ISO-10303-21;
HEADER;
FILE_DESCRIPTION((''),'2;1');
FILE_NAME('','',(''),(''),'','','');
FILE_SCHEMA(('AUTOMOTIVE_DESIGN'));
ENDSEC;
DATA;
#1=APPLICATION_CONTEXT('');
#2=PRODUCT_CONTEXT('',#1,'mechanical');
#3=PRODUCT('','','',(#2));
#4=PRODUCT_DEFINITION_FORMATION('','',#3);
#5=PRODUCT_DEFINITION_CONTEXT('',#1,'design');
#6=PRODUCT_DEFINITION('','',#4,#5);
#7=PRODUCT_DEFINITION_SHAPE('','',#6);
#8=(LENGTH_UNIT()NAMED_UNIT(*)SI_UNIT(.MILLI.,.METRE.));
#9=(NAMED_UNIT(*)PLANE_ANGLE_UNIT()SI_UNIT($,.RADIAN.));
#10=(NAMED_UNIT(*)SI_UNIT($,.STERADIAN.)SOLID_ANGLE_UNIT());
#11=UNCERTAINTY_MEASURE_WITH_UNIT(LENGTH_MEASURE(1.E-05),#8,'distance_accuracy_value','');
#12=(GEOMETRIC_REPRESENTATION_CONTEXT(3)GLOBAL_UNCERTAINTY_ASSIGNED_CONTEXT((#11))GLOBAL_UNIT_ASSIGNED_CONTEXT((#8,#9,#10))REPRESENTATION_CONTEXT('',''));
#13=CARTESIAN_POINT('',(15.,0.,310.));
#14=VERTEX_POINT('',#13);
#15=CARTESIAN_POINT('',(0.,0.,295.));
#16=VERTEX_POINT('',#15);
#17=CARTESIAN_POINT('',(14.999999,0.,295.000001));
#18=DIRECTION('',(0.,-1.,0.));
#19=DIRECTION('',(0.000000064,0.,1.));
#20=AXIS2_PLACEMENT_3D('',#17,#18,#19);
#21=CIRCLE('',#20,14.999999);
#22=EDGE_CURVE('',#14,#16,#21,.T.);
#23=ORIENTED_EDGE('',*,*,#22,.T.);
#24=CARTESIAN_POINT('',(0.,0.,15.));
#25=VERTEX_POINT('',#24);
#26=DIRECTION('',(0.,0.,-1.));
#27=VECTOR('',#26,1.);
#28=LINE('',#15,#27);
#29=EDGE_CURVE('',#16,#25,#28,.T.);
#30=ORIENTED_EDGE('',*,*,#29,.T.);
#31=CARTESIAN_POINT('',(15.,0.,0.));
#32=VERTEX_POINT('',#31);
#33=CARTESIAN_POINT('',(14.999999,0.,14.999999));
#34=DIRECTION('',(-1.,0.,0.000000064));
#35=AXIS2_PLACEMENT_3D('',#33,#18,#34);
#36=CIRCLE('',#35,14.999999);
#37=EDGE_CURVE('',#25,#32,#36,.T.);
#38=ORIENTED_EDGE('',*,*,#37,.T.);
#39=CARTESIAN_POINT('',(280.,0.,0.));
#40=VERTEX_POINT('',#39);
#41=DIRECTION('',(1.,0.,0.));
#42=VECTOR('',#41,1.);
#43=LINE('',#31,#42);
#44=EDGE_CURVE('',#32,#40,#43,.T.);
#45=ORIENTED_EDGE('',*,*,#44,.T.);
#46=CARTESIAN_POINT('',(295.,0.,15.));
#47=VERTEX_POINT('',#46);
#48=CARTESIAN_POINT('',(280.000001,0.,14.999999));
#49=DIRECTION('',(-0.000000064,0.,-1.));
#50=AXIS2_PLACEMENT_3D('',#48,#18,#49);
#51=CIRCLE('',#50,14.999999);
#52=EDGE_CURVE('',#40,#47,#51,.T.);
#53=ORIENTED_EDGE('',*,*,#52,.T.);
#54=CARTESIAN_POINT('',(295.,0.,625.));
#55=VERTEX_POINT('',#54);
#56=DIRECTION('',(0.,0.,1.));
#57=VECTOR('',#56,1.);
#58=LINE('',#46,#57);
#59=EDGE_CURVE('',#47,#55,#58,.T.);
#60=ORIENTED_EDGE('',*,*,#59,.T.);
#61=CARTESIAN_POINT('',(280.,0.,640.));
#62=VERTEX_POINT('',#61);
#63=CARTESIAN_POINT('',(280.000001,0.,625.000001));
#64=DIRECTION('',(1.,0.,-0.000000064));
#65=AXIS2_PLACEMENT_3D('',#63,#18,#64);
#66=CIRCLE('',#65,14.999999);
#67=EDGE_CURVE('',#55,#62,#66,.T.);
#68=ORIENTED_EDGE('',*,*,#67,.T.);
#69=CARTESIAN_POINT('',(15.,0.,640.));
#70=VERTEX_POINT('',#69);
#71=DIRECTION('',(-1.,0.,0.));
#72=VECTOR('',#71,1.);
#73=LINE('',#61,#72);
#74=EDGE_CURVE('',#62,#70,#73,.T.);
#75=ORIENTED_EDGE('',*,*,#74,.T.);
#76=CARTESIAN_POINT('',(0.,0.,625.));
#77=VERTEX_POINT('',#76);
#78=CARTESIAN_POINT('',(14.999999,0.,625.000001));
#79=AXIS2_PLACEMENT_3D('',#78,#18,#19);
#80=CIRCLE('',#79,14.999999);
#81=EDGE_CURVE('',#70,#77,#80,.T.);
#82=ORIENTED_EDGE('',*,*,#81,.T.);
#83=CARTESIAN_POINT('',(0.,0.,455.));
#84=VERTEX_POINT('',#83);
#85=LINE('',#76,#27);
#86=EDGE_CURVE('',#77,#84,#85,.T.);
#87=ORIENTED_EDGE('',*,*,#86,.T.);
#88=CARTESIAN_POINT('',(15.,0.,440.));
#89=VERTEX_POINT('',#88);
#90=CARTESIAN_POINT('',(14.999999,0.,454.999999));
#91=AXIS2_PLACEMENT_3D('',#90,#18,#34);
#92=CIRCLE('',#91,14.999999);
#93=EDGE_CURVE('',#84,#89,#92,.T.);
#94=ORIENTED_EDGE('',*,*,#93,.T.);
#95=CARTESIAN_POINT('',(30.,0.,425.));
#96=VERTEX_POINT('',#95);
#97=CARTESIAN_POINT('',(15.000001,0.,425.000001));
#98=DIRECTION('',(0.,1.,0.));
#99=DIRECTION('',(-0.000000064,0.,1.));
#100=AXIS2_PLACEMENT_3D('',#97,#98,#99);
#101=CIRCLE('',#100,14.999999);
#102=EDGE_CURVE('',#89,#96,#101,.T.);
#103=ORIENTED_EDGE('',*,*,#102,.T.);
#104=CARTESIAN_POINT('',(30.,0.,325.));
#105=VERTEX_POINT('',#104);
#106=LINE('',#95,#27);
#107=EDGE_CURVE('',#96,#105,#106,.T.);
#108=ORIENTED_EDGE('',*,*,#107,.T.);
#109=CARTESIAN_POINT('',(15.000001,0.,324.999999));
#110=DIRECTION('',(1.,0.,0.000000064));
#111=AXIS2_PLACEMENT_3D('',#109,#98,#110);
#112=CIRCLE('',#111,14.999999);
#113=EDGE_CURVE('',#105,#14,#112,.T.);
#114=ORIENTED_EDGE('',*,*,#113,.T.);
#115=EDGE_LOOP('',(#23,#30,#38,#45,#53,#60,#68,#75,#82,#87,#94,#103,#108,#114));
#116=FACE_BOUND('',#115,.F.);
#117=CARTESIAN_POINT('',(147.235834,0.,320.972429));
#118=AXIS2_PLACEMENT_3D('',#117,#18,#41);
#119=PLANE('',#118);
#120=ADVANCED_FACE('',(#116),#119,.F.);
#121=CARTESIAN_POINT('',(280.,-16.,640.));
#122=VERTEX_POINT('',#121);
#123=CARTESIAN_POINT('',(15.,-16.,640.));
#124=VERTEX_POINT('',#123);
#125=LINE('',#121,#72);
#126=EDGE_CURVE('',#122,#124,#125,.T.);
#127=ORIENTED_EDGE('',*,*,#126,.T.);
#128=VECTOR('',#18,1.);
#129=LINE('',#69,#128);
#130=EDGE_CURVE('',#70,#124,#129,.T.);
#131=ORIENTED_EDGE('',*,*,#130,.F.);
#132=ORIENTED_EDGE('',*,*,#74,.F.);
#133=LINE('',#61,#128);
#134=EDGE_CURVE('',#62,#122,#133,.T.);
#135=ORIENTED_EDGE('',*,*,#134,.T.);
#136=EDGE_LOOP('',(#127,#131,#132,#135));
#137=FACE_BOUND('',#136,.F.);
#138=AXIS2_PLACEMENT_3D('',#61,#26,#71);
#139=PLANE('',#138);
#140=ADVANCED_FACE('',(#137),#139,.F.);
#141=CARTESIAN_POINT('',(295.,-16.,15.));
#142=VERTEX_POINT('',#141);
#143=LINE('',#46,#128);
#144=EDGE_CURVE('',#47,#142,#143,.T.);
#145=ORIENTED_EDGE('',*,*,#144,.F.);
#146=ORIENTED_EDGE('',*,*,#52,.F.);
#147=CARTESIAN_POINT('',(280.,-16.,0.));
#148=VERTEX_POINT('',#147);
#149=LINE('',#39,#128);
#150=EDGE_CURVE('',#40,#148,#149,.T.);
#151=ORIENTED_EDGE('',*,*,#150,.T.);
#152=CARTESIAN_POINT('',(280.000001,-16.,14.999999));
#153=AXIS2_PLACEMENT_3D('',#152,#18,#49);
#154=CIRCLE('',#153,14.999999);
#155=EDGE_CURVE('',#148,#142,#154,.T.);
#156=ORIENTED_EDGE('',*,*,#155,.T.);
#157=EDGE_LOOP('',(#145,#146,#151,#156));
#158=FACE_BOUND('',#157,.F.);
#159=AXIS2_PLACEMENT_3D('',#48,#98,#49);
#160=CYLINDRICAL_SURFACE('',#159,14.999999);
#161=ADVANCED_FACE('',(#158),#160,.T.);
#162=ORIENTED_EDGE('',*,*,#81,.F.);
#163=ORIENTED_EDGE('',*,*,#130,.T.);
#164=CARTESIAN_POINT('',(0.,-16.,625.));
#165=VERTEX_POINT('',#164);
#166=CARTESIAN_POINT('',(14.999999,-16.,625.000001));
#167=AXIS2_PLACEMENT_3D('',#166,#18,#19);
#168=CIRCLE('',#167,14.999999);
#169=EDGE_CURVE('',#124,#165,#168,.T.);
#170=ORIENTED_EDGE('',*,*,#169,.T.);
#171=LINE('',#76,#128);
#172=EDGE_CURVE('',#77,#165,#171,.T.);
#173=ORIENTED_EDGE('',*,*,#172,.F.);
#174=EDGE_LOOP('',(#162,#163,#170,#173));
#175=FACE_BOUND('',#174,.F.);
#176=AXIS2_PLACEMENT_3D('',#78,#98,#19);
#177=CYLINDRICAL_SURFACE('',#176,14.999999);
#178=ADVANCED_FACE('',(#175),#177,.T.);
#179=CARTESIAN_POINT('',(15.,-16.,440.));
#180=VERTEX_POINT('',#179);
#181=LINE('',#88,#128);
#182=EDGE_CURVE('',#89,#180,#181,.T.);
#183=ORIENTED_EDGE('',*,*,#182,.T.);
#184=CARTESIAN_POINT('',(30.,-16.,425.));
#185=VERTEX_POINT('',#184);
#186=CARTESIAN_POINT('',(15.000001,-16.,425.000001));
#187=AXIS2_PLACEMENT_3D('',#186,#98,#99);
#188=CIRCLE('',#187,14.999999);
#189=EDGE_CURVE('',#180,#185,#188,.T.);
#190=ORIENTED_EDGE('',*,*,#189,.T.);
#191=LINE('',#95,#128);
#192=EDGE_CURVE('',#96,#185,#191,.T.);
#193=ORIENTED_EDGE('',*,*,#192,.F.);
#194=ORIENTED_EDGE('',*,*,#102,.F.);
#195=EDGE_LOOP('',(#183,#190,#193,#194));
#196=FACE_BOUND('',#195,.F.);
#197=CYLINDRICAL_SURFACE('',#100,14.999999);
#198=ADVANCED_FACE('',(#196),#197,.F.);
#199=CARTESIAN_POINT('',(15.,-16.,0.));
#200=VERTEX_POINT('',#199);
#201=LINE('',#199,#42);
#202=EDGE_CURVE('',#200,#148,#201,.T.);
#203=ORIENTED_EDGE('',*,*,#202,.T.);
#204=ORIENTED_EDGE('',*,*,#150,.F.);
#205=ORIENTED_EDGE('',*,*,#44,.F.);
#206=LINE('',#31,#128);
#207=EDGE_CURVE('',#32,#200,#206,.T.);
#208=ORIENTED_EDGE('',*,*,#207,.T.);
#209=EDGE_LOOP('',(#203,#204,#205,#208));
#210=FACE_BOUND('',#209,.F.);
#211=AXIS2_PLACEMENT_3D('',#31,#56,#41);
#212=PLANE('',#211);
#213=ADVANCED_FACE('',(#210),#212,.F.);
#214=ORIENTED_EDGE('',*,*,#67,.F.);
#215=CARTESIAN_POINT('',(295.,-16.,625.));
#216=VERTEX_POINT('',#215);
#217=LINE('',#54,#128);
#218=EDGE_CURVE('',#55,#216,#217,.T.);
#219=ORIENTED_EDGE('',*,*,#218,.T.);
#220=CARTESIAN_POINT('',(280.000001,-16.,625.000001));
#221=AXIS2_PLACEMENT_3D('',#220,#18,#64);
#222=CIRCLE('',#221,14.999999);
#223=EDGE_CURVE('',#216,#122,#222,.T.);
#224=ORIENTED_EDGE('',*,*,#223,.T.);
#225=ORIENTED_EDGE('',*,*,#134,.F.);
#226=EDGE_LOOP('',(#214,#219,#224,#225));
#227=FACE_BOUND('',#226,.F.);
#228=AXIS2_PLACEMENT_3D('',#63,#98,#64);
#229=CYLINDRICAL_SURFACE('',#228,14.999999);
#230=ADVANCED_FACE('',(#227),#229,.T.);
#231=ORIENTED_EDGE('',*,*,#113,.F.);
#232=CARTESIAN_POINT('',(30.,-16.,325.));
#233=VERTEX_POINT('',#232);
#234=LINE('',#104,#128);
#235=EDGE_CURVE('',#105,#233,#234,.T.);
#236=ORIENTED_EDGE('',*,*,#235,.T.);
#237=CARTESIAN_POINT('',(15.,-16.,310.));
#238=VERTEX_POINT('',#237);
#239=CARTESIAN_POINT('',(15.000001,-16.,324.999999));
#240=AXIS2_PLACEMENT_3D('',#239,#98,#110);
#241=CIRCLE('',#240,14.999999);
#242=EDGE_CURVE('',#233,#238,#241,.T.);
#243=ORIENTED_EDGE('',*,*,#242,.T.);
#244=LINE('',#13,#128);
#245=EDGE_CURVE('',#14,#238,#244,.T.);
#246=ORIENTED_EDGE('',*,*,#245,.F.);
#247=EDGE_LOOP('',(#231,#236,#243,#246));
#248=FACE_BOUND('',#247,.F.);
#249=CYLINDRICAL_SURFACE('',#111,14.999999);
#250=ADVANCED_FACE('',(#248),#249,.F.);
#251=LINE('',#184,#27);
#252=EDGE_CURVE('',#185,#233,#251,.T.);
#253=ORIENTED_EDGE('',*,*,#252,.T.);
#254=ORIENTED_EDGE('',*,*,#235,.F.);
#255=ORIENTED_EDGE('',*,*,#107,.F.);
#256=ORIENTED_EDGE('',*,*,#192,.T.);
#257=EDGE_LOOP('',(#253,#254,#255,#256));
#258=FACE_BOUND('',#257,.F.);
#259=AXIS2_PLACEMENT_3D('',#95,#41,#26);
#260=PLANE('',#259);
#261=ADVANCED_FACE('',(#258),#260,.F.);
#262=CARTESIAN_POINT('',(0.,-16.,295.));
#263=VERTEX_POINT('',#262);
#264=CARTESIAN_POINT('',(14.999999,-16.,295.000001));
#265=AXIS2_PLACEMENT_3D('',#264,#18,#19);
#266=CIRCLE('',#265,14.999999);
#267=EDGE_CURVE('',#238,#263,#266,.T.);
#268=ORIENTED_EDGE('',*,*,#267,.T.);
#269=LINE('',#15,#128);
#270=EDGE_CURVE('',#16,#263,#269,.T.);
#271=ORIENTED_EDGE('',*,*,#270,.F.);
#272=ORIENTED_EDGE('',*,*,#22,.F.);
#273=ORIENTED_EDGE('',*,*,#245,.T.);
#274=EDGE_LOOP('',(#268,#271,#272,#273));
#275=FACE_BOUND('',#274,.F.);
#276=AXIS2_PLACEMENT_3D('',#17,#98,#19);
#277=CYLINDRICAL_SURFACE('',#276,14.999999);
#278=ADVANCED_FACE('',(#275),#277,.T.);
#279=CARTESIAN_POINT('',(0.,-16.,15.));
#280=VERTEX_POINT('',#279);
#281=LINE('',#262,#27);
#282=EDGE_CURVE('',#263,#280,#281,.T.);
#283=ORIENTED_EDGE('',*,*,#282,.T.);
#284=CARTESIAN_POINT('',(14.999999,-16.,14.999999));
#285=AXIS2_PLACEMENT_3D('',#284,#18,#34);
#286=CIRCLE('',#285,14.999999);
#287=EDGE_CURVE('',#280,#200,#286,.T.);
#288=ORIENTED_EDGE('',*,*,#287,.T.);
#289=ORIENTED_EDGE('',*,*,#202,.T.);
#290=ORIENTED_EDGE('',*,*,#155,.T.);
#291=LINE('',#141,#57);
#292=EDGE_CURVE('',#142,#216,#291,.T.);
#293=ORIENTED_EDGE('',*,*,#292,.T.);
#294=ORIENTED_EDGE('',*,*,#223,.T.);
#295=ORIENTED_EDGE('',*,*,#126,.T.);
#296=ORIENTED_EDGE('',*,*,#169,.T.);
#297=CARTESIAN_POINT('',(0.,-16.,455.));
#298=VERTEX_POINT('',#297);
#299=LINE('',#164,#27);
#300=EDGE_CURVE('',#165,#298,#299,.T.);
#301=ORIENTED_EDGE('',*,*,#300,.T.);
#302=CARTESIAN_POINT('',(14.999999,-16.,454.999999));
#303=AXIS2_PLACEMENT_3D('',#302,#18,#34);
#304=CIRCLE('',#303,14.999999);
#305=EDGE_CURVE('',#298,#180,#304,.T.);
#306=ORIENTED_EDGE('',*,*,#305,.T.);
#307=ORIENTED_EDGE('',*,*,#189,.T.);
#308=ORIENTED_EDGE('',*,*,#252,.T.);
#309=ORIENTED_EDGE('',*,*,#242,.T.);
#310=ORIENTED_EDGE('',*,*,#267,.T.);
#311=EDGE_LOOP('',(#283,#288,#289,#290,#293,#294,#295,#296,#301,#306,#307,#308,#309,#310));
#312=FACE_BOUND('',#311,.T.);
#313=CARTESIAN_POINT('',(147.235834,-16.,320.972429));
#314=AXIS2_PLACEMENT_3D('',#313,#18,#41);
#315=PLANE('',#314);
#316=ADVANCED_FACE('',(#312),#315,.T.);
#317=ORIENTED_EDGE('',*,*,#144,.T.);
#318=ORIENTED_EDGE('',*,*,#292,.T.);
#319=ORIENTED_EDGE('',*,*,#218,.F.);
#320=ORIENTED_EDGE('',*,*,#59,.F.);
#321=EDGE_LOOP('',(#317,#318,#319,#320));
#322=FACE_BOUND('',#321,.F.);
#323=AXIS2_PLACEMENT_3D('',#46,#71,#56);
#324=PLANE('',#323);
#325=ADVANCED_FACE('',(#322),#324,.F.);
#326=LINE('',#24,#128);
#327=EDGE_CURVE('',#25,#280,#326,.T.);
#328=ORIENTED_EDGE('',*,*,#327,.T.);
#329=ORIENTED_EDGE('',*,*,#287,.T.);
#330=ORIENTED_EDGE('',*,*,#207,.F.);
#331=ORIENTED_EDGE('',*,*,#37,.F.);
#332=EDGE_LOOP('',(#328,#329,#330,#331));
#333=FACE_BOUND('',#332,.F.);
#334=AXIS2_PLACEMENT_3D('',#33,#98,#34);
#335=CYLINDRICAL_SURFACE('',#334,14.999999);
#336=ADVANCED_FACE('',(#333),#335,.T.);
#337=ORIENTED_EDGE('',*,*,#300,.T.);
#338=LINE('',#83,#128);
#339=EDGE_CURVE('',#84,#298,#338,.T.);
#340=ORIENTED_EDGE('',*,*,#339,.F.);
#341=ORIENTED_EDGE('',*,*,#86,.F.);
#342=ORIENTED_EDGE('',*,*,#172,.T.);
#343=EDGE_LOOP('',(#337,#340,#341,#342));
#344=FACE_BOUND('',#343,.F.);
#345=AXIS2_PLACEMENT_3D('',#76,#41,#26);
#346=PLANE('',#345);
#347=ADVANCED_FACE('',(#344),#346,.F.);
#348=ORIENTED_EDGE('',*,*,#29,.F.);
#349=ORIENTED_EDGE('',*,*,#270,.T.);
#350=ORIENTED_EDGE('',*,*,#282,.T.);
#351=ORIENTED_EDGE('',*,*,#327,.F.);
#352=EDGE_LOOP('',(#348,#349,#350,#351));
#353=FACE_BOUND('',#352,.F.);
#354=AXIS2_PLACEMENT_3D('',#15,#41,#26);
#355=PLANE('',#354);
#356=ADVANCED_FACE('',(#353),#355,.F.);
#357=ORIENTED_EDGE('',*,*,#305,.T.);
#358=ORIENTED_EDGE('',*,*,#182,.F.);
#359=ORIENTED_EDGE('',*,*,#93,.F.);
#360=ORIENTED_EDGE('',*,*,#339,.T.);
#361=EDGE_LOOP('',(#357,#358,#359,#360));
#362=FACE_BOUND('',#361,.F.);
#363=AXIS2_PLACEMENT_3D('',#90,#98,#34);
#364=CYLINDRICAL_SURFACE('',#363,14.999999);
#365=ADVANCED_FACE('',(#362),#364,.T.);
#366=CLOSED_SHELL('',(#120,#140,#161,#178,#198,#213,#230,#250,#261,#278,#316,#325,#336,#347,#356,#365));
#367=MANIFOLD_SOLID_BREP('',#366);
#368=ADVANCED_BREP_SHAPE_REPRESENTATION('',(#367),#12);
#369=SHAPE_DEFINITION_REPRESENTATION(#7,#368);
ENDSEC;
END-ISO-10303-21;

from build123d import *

# Parameters (mm, degrees)
F1_DEPTH = 16


with BuildPart() as f1:
    # F0 (on Front) → F1 (new body)
    with BuildSketch(Plane.XZ):
        with BuildLine():
            Line((280, 640), (15, 640))
            ThreePointArc((15, 640), (4.393398, 635.606602), (0, 625))
            Line((0, 625), (0, 455))
            ThreePointArc((0, 455), (4.393398, 444.393398), (15, 440))
            ThreePointArc((15, 440), (25.606602, 435.606602), (30, 425))
            Line((30, 425), (30, 325))
            ThreePointArc((30, 325), (25.606602, 314.393398), (15, 310))
            ThreePointArc((15, 310), (4.393398, 305.606602), (0, 295))
            Line((0, 295), (0, 15))
            ThreePointArc((0, 15), (4.393398, 4.393398), (15, 0))
            Line((15, 0), (280, 0))
            ThreePointArc((280, 0), (290.606602, 4.393398), (295, 15))
            Line((295, 15), (295, 625))
            ThreePointArc((295, 625), (290.606602, 635.606602), (280, 640))
        make_face()
    extrude(amount=F1_DEPTH)


solid = f1.part
